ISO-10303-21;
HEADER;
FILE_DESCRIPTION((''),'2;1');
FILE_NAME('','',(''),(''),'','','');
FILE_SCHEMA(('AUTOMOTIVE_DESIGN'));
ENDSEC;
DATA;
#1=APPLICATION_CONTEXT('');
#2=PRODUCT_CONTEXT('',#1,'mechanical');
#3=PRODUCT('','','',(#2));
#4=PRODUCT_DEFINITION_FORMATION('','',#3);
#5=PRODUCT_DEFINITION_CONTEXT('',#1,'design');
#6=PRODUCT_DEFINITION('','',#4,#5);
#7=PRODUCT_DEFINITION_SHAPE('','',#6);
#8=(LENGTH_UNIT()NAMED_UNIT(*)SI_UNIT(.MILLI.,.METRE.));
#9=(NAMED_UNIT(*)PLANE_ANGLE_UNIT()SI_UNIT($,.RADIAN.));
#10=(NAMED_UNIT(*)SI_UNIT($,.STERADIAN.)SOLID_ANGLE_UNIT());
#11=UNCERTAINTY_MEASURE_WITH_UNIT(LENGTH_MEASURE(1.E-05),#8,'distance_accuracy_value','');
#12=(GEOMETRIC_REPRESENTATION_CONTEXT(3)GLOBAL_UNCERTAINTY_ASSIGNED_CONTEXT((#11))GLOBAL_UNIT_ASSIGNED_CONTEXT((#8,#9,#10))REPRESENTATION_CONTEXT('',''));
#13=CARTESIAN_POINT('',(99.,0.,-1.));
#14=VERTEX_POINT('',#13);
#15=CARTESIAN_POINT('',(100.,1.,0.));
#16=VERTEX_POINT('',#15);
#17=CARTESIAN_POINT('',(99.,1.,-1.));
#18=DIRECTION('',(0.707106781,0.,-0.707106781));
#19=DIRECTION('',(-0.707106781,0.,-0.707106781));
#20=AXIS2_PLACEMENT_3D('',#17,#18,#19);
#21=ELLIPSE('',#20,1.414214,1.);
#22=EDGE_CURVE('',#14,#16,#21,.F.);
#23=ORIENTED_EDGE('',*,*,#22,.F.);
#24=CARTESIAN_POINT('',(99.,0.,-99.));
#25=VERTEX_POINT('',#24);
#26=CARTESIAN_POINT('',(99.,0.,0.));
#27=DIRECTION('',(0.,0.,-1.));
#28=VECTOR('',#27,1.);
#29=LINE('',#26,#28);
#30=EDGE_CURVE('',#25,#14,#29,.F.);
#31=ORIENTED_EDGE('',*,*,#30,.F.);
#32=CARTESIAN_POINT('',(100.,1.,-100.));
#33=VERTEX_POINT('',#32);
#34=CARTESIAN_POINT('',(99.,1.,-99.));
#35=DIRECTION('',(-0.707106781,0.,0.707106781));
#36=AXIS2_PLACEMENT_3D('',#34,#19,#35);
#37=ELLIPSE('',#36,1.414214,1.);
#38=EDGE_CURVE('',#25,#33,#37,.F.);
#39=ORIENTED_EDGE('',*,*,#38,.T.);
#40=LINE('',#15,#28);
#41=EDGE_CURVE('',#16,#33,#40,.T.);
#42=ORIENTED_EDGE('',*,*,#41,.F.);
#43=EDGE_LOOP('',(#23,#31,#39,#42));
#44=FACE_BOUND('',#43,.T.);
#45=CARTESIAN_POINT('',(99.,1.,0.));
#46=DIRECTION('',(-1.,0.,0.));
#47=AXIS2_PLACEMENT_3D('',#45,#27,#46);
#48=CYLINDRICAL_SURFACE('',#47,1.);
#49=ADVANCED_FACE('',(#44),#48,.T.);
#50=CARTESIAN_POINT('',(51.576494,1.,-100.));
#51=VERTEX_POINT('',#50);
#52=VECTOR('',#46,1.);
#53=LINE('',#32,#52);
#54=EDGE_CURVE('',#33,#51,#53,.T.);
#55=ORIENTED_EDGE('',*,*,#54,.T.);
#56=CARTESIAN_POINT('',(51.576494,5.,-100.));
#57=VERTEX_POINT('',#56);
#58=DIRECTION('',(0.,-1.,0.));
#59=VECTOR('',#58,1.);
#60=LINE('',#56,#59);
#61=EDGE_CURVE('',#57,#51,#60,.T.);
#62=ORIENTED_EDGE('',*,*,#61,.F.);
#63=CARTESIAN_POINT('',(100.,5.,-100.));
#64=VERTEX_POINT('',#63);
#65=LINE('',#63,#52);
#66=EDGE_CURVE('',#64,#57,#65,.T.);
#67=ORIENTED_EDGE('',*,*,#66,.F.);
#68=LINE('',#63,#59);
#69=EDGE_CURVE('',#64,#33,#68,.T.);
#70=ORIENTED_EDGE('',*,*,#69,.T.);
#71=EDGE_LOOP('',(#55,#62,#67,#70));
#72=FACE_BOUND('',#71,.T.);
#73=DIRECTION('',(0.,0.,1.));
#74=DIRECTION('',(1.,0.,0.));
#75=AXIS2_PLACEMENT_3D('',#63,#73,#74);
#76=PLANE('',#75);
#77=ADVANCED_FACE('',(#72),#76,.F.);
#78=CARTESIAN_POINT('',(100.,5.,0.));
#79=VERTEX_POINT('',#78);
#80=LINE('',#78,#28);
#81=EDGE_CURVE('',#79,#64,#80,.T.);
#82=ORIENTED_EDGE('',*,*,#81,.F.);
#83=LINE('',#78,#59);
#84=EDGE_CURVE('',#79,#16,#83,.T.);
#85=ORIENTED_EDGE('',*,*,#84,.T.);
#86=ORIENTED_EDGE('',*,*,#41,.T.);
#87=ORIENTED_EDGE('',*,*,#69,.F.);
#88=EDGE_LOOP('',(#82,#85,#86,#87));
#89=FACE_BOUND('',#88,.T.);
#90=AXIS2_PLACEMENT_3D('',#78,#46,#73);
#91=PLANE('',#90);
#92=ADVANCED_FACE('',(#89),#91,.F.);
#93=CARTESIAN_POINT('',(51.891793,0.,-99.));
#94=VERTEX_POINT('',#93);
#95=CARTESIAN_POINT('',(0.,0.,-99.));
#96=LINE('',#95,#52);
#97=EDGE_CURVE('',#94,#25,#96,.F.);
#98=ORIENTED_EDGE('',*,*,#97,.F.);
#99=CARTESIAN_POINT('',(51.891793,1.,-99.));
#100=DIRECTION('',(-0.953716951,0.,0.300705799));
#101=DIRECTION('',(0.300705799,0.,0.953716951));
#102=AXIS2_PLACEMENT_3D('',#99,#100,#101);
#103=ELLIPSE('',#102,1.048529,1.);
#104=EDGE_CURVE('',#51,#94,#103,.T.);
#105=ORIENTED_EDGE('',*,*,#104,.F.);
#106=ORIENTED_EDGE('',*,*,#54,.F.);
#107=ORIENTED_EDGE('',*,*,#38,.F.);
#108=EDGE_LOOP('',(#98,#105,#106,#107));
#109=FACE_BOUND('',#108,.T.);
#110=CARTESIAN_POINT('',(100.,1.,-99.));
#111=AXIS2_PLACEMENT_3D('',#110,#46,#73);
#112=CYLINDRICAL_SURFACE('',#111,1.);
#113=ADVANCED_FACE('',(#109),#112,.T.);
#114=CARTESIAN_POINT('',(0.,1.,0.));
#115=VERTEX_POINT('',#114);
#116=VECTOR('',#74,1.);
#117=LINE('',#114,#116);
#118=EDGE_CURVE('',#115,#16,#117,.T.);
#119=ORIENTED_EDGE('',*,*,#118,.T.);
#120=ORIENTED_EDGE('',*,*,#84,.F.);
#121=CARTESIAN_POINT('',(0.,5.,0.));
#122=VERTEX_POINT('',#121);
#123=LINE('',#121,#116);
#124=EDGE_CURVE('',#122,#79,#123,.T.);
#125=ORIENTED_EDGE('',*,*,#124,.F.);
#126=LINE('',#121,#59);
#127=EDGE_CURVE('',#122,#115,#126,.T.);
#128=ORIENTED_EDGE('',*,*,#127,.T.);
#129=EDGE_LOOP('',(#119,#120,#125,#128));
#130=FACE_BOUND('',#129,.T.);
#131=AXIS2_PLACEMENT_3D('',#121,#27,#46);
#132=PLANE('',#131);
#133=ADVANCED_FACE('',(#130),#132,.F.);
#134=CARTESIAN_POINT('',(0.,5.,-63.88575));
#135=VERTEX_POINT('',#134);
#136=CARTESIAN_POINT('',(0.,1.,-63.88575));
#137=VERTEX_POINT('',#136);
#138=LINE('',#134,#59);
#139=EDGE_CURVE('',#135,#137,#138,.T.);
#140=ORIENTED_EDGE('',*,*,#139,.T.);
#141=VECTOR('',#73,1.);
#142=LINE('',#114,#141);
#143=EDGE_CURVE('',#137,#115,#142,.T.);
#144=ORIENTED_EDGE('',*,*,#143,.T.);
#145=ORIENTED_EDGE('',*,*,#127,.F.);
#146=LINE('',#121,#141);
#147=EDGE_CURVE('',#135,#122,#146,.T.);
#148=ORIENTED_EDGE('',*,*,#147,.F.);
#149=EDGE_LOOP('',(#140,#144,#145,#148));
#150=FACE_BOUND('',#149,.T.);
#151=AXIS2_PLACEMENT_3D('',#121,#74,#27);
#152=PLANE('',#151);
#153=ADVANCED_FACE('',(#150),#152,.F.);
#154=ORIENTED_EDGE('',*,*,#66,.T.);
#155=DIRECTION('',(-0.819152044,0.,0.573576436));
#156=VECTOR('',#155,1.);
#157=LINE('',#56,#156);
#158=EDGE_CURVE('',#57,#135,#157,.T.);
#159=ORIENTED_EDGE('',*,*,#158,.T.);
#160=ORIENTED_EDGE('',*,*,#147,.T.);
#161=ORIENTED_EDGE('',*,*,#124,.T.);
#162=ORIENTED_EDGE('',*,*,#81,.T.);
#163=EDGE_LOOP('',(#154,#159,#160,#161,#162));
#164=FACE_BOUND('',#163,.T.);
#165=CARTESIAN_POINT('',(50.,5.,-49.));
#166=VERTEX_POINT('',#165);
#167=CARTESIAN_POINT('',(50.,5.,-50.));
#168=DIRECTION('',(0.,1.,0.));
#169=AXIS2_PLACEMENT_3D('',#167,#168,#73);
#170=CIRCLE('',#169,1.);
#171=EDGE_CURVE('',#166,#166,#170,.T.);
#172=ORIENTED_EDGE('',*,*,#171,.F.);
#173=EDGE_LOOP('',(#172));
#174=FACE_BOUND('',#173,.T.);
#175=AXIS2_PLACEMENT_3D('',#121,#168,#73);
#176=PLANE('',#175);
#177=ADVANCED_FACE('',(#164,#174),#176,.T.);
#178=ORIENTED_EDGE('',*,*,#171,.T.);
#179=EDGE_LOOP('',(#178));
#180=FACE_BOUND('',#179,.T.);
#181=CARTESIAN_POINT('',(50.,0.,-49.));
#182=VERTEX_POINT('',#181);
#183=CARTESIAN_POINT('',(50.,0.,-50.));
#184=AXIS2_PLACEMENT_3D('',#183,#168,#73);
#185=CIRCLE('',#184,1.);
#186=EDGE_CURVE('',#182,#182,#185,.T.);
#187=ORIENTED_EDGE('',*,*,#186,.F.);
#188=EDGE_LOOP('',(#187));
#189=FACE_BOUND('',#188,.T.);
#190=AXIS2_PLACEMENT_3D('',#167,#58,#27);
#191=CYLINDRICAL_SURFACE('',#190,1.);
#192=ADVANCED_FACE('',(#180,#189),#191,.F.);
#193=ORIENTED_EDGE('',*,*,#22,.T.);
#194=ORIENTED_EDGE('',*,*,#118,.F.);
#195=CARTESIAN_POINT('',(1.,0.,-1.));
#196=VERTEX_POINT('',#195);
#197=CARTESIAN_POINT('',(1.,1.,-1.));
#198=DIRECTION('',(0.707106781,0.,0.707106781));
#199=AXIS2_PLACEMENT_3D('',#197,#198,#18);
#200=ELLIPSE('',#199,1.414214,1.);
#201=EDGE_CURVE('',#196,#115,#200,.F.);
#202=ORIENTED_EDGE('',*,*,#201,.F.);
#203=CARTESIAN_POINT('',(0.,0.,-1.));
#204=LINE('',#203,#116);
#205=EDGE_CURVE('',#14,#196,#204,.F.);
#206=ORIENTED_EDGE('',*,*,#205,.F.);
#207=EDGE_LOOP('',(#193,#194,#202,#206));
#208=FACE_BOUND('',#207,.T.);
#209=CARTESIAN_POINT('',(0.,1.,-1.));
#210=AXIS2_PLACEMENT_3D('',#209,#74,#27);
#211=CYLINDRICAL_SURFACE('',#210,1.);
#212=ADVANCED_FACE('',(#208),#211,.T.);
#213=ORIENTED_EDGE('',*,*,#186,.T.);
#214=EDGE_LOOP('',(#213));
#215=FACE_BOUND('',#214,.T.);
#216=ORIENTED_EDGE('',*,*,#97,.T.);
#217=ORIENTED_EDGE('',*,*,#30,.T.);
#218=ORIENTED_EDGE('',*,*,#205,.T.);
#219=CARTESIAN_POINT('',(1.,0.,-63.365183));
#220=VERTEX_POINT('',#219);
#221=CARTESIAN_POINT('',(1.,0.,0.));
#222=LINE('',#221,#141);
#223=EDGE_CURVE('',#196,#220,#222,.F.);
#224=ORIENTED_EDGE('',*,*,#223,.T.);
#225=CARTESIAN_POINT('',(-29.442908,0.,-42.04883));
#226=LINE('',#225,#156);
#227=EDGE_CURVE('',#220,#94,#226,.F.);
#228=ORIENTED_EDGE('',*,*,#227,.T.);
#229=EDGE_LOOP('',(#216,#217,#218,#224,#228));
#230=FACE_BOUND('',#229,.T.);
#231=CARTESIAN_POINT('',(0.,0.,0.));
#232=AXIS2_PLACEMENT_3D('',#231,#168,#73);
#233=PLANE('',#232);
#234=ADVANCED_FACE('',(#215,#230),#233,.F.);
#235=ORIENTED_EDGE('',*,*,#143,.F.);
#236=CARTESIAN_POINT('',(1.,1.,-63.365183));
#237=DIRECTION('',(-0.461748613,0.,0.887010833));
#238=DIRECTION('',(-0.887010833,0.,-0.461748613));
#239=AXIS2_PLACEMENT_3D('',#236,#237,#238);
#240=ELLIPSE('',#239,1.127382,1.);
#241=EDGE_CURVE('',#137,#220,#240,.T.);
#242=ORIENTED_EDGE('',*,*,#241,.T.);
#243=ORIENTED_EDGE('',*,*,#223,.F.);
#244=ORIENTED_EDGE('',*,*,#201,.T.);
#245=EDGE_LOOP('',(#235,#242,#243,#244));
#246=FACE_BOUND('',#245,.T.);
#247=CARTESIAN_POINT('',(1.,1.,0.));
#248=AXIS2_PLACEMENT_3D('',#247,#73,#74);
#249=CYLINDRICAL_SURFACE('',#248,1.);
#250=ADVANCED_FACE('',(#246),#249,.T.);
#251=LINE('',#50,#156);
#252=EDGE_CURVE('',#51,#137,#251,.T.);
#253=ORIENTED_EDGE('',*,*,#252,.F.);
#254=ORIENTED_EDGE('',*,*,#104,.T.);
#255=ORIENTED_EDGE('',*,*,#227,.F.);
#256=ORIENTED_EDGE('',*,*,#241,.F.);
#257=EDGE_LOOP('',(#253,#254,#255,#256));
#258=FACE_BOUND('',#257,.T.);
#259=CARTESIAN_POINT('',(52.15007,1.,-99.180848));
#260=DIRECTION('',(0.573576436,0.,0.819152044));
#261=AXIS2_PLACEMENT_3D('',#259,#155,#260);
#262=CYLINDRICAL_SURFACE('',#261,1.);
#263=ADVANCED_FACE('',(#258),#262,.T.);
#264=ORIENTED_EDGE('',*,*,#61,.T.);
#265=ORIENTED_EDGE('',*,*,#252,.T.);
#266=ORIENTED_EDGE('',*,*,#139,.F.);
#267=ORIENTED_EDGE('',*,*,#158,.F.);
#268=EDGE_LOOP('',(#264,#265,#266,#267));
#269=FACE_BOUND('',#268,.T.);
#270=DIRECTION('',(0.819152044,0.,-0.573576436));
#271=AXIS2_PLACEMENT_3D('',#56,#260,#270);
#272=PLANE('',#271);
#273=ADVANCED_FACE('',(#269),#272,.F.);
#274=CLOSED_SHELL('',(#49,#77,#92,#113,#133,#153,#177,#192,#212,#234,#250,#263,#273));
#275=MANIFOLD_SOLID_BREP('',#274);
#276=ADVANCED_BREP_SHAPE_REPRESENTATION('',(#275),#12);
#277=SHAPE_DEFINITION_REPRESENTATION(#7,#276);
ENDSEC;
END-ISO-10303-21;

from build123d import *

# Parameters (mm, degrees)
BOSS_EXTRUDE1_DEPTH = 5
SKETCH2_R           = 1
CUT_EXTRUDE2_DEPTH  = 5
FILLET1_R           = 1


with BuildPart() as part:
    # Sketch1 → Boss-Extrude1 (new body)
    with BuildSketch(Plane(origin=(0, 0, 0), x_dir=(1, 0, 0), z_dir=(0, 1, 0))):
        Polygon((0, 0), (100, 0), (100, 100), (51.57649394, 100), (0, 63.88575015), align=None)
    extrude(amount=BOSS_EXTRUDE1_DEPTH)

    # Sketch2 → Cut-Extrude2 (cut)
    with BuildSketch(Plane(origin=(0, 0, 0), x_dir=(1, 0, 0), z_dir=(0, 1, 0))):
        with Locations(Location((50, 50, 0), (0, 0, 270))):
            Circle(SKETCH2_R)
    extrude(amount=CUT_EXTRUDE2_DEPTH, mode=Mode.SUBTRACT)

    # Fillet1
    fillet1_edges = [part.edges().sort_by_distance(p)[0] for p in [
        (25.78824697, 0, -81.942875075),
        (75.78824697, 0, -100),
        (100, 0, -50),
        (50, 0, 0),
        (0, 0, -31.942875075),
    ]]
    fillet(fillet1_edges, radius=FILLET1_R)


solid = part.part
